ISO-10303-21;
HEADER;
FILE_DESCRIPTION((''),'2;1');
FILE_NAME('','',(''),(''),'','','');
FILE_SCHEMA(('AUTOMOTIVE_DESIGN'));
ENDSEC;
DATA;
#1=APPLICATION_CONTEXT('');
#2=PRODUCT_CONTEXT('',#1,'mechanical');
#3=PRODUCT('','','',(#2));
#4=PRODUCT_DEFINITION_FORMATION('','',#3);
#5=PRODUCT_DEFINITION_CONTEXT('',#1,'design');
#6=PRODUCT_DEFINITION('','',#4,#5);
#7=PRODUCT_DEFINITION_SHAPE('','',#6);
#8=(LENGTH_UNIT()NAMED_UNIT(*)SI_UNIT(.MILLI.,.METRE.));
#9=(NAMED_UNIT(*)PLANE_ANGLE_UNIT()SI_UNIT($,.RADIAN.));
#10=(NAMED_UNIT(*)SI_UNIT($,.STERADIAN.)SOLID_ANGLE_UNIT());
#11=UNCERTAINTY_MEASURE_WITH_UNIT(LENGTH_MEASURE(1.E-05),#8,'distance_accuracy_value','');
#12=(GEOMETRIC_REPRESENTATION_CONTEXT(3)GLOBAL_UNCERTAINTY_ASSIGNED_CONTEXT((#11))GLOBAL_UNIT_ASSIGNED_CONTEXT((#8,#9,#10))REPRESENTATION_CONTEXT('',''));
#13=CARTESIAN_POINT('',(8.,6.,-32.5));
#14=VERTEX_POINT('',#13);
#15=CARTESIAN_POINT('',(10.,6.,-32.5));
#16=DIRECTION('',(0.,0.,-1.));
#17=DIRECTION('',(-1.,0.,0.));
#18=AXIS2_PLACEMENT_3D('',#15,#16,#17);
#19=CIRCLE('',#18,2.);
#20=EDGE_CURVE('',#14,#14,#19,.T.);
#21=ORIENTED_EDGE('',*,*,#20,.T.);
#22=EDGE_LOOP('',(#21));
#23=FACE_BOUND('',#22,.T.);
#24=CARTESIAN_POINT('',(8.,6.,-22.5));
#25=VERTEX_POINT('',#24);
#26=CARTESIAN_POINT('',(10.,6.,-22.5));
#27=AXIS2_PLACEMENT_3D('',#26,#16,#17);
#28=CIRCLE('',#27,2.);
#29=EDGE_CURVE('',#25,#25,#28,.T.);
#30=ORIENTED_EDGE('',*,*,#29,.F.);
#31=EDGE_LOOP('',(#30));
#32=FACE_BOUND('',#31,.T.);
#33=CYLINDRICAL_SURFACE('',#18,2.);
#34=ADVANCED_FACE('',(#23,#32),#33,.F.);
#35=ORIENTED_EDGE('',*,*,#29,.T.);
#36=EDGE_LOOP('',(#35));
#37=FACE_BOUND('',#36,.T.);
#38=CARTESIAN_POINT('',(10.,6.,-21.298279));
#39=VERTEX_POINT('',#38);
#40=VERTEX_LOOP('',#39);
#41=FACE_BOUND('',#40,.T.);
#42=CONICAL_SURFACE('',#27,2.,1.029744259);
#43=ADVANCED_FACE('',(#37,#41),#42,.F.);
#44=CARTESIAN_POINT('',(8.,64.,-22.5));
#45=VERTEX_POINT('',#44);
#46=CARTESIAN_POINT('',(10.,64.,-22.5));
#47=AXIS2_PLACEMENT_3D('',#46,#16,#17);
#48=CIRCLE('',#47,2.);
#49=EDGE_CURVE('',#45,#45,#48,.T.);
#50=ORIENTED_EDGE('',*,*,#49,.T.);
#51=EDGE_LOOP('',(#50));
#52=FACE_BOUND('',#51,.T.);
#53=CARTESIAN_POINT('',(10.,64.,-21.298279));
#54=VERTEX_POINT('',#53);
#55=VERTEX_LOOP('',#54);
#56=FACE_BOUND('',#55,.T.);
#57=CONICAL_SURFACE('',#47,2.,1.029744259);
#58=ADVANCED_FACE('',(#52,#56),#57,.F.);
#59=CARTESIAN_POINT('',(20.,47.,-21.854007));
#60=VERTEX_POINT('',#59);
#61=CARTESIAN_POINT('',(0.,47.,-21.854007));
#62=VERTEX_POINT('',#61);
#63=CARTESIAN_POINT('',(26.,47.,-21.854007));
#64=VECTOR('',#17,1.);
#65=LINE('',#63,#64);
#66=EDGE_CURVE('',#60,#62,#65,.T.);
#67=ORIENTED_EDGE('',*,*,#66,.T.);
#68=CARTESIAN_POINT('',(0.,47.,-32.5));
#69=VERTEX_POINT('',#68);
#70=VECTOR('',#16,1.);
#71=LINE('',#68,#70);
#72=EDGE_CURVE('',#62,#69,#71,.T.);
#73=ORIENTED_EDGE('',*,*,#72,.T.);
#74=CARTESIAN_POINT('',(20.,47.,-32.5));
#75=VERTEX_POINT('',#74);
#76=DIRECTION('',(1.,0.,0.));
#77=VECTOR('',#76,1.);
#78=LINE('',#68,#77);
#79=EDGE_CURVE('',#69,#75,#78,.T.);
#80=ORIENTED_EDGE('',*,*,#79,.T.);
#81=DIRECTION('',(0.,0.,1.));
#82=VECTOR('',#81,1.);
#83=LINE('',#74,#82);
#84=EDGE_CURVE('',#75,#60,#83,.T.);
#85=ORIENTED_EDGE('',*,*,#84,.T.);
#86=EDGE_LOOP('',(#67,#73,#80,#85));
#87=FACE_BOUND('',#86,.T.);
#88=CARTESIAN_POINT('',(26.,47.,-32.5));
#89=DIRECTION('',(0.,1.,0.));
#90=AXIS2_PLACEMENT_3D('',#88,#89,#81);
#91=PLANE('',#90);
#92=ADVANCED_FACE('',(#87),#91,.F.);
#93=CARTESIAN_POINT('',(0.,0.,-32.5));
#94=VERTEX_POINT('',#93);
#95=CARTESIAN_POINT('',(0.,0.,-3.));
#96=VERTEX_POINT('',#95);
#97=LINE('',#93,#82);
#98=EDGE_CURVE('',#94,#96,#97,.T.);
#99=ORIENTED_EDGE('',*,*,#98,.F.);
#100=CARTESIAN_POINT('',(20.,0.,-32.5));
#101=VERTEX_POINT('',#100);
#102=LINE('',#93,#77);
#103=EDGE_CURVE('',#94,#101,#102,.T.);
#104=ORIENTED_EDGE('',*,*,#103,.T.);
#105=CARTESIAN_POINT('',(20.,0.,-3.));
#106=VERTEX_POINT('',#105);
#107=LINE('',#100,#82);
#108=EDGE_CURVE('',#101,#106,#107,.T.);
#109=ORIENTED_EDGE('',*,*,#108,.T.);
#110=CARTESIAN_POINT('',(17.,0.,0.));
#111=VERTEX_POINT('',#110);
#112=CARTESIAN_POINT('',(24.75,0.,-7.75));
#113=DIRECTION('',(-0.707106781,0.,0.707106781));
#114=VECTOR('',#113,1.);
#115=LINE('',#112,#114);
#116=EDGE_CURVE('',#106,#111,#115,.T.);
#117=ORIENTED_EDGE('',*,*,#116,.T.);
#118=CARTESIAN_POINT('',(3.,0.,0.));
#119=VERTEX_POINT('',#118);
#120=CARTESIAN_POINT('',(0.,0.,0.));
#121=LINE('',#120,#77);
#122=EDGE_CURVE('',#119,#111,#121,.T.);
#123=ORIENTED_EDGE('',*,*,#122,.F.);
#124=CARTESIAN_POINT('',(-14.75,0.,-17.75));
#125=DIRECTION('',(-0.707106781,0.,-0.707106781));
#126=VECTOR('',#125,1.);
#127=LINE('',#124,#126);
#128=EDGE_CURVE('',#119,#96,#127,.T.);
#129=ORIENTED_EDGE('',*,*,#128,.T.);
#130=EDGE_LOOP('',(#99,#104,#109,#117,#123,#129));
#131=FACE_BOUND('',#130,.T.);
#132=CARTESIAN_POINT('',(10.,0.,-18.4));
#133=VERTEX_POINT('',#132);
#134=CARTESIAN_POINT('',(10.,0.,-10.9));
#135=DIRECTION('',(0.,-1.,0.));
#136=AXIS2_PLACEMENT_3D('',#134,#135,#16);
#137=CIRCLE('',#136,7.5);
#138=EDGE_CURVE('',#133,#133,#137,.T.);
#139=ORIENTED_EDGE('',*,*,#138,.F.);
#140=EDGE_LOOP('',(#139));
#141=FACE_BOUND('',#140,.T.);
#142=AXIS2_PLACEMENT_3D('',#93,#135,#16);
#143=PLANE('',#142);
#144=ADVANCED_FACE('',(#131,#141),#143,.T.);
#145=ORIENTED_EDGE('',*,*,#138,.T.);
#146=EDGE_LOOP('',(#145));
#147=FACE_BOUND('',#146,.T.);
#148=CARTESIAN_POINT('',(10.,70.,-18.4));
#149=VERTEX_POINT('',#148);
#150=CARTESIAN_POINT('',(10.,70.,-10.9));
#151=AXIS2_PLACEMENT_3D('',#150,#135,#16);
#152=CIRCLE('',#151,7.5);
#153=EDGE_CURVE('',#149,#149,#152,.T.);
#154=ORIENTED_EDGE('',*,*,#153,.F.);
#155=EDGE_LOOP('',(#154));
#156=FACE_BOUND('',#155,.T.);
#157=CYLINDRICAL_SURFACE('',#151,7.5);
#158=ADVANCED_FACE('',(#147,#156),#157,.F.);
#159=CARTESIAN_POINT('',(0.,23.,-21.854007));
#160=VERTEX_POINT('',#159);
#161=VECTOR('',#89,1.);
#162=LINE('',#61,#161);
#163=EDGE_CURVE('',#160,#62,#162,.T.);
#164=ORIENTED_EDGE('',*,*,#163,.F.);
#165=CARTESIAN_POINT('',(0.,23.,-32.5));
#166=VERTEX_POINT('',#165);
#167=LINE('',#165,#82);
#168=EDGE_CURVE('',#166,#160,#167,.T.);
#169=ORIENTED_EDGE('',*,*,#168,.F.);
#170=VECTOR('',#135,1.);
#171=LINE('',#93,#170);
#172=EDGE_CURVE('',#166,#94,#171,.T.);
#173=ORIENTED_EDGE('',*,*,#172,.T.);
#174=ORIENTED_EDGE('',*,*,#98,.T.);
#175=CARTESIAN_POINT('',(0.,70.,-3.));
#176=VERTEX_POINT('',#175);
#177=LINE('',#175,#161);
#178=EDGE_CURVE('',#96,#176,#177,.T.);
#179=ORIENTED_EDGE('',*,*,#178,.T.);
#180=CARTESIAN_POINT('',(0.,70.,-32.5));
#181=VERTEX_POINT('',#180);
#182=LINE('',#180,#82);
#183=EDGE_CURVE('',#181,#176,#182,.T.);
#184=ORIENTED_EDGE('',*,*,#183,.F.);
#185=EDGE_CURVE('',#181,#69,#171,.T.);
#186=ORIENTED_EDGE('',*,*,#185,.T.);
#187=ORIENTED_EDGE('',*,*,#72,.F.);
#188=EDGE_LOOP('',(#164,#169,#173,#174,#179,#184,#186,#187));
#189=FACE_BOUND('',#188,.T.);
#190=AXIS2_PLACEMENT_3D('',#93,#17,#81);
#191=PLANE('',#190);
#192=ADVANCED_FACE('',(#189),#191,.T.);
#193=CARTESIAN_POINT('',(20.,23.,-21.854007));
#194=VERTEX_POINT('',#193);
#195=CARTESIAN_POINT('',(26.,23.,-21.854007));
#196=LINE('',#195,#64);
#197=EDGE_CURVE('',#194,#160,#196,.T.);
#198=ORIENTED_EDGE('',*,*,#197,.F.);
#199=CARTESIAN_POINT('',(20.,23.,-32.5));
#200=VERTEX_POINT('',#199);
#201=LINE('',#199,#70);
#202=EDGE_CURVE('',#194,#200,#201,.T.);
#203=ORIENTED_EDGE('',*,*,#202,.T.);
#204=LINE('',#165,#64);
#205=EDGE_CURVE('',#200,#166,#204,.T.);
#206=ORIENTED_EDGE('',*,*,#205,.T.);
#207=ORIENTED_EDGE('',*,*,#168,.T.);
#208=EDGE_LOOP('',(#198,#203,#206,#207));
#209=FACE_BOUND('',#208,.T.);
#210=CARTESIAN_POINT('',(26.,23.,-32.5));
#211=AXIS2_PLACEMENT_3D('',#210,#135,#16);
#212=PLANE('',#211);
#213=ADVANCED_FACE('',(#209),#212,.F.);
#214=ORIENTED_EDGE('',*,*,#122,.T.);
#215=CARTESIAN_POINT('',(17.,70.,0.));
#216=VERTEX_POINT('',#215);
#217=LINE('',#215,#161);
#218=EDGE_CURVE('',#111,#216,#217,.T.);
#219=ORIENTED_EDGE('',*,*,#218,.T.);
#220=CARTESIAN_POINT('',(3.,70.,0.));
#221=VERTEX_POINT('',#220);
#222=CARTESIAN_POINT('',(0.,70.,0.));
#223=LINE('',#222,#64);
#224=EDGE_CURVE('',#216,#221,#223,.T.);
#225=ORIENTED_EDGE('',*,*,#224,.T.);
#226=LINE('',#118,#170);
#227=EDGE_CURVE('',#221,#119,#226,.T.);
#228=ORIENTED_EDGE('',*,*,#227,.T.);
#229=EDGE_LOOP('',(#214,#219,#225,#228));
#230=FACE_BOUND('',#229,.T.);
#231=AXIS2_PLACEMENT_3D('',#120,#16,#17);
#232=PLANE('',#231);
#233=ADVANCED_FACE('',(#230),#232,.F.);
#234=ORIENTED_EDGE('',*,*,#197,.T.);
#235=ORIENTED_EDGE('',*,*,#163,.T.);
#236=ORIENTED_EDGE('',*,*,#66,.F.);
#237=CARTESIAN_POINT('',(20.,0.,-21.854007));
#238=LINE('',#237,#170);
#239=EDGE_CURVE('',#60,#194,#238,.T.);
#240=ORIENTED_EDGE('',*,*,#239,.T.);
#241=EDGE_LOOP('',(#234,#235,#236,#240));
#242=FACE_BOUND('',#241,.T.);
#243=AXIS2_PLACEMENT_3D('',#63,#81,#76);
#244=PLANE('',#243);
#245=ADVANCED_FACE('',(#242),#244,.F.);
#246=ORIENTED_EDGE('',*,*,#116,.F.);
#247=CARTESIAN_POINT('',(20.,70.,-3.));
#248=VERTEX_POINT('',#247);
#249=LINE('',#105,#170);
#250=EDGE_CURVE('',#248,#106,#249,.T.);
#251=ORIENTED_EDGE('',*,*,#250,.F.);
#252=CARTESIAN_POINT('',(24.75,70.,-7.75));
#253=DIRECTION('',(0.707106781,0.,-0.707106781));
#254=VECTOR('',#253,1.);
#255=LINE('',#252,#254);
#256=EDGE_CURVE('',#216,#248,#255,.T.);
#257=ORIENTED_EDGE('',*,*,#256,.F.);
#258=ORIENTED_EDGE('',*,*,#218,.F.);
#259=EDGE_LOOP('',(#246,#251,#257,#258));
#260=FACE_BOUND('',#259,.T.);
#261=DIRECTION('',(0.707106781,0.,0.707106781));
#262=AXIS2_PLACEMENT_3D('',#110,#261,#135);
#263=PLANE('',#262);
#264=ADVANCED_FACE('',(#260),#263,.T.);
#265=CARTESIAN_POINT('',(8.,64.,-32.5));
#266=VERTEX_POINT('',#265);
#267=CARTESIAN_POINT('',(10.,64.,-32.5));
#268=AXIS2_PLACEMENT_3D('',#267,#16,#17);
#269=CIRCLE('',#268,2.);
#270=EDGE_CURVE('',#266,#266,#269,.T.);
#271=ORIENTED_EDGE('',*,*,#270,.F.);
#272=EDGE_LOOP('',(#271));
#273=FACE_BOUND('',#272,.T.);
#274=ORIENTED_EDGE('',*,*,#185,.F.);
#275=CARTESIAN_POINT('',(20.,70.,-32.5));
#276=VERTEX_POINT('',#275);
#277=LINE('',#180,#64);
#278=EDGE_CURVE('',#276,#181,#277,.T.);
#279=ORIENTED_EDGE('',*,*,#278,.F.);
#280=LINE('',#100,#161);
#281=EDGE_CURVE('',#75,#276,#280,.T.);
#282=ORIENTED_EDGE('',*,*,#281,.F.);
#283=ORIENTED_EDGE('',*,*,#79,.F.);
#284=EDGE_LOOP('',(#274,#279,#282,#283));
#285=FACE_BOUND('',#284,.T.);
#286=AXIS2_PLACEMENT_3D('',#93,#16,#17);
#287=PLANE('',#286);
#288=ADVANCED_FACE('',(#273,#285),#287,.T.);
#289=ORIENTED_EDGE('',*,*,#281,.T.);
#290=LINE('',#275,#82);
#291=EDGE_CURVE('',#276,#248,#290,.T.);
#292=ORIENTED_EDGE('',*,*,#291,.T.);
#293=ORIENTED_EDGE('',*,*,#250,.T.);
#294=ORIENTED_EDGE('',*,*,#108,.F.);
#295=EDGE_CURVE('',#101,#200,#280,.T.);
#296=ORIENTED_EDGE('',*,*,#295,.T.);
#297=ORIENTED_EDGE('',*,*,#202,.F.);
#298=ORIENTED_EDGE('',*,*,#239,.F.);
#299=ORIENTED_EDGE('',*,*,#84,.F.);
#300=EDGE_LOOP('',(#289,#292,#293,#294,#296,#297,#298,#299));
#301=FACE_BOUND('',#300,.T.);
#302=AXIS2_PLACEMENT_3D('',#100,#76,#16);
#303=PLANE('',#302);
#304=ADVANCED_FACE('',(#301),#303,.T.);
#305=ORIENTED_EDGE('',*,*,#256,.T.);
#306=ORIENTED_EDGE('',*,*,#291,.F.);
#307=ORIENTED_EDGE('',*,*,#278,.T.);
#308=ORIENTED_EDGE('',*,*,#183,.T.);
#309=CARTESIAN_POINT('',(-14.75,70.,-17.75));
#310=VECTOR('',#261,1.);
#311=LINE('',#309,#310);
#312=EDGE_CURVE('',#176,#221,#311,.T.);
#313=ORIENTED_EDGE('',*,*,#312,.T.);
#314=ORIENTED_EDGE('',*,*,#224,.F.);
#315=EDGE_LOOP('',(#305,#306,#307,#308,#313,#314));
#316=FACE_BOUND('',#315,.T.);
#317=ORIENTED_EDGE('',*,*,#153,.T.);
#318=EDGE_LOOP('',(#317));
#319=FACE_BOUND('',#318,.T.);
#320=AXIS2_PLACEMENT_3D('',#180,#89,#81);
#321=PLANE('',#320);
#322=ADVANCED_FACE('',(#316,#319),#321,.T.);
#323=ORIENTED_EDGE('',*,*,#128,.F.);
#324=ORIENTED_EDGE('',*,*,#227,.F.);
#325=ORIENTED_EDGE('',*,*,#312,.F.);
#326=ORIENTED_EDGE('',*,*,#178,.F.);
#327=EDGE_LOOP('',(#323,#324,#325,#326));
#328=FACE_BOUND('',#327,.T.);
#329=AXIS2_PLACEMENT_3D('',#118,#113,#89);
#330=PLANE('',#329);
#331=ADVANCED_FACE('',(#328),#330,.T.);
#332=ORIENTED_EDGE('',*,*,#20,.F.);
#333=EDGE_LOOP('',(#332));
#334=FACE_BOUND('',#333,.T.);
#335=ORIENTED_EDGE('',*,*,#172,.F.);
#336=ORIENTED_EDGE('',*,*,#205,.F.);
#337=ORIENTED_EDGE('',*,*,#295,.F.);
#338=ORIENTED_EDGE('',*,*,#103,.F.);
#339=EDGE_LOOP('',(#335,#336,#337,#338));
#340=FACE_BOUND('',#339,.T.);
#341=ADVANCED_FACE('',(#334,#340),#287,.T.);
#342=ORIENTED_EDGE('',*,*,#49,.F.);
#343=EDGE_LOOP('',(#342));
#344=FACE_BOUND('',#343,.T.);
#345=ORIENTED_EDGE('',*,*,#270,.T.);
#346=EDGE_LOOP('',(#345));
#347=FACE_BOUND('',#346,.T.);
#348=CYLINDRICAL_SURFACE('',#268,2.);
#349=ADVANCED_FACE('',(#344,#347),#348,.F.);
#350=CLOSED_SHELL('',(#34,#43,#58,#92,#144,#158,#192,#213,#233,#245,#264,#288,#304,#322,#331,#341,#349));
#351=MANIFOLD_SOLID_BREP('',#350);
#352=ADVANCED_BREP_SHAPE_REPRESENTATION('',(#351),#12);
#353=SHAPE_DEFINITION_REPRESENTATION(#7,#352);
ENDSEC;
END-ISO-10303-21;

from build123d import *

# Parameters (mm, degrees)
SCHIZZO1_W                   = 20
SCHIZZO1_H                   = 70
ESTRUSIONE_ESTRUSIONE1_DEPTH = 32.5
SCHIZZO2_R                   = 7.5
TAGLIO_ESTRUSIONE1_DEPTH     = 80.726093596
FORO_4_0_4_1_D               = 4
FORO_4_0_4_1_DEPTH           = 10
FORO_4_0_4_1_TIP             = 1.201721238
SMUSSO1_SIZE                 = 3
SCHIZZO7_W                   = 10.645993212
SCHIZZO7_H                   = 24
TAGLIO_ESTRUSIONE4_DEPTH     = 26


with BuildPart() as part:
    # Schizzo1 → Estrusione-Estrusione1 (new body)
    with BuildSketch(Plane.XY):
        with Locations((10, 35)):
            Rectangle(SCHIZZO1_W, SCHIZZO1_H)
    extrude(amount=-ESTRUSIONE_ESTRUSIONE1_DEPTH)

    # Schizzo2 → Taglio-Estrusione1 (cut, through all)
    with BuildSketch(Plane.XZ):
        with Locations((10, -10.9)):
            Circle(SCHIZZO2_R)
    extrude(amount=-TAGLIO_ESTRUSIONE1_DEPTH, mode=Mode.SUBTRACT)

    # Foro Ø4.0 (4)-1
    with Locations(Plane(origin=(10, 6, -32.5), x_dir=(-1, 0, 0), z_dir=(0, 0, -1))):
        with Locations((0, 0), (0, 58)):
            Hole(FORO_4_0_4_1_D / 2, depth=FORO_4_0_4_1_DEPTH)
            with Locations((0, 0, -(FORO_4_0_4_1_DEPTH + FORO_4_0_4_1_TIP / 2))):  # 118° drill point
                Cone(0, FORO_4_0_4_1_D / 2, FORO_4_0_4_1_TIP, mode=Mode.SUBTRACT)

    # Smusso1
    smusso1_edges = [part.edges().sort_by_distance(p)[0] for p in [
        (0, 35, 0),
        (20, 35, 0),
    ]]
    chamfer(smusso1_edges, length=SMUSSO1_SIZE)

    # Schizzo7 → Taglio-Estrusione4 (cut)
    with BuildSketch(Plane.ZY):
        with Locations((-27.177003394, 35)):
            Rectangle(SCHIZZO7_W, SCHIZZO7_H)
    extrude(amount=-TAGLIO_ESTRUSIONE4_DEPTH, mode=Mode.SUBTRACT)


solid = part.part
